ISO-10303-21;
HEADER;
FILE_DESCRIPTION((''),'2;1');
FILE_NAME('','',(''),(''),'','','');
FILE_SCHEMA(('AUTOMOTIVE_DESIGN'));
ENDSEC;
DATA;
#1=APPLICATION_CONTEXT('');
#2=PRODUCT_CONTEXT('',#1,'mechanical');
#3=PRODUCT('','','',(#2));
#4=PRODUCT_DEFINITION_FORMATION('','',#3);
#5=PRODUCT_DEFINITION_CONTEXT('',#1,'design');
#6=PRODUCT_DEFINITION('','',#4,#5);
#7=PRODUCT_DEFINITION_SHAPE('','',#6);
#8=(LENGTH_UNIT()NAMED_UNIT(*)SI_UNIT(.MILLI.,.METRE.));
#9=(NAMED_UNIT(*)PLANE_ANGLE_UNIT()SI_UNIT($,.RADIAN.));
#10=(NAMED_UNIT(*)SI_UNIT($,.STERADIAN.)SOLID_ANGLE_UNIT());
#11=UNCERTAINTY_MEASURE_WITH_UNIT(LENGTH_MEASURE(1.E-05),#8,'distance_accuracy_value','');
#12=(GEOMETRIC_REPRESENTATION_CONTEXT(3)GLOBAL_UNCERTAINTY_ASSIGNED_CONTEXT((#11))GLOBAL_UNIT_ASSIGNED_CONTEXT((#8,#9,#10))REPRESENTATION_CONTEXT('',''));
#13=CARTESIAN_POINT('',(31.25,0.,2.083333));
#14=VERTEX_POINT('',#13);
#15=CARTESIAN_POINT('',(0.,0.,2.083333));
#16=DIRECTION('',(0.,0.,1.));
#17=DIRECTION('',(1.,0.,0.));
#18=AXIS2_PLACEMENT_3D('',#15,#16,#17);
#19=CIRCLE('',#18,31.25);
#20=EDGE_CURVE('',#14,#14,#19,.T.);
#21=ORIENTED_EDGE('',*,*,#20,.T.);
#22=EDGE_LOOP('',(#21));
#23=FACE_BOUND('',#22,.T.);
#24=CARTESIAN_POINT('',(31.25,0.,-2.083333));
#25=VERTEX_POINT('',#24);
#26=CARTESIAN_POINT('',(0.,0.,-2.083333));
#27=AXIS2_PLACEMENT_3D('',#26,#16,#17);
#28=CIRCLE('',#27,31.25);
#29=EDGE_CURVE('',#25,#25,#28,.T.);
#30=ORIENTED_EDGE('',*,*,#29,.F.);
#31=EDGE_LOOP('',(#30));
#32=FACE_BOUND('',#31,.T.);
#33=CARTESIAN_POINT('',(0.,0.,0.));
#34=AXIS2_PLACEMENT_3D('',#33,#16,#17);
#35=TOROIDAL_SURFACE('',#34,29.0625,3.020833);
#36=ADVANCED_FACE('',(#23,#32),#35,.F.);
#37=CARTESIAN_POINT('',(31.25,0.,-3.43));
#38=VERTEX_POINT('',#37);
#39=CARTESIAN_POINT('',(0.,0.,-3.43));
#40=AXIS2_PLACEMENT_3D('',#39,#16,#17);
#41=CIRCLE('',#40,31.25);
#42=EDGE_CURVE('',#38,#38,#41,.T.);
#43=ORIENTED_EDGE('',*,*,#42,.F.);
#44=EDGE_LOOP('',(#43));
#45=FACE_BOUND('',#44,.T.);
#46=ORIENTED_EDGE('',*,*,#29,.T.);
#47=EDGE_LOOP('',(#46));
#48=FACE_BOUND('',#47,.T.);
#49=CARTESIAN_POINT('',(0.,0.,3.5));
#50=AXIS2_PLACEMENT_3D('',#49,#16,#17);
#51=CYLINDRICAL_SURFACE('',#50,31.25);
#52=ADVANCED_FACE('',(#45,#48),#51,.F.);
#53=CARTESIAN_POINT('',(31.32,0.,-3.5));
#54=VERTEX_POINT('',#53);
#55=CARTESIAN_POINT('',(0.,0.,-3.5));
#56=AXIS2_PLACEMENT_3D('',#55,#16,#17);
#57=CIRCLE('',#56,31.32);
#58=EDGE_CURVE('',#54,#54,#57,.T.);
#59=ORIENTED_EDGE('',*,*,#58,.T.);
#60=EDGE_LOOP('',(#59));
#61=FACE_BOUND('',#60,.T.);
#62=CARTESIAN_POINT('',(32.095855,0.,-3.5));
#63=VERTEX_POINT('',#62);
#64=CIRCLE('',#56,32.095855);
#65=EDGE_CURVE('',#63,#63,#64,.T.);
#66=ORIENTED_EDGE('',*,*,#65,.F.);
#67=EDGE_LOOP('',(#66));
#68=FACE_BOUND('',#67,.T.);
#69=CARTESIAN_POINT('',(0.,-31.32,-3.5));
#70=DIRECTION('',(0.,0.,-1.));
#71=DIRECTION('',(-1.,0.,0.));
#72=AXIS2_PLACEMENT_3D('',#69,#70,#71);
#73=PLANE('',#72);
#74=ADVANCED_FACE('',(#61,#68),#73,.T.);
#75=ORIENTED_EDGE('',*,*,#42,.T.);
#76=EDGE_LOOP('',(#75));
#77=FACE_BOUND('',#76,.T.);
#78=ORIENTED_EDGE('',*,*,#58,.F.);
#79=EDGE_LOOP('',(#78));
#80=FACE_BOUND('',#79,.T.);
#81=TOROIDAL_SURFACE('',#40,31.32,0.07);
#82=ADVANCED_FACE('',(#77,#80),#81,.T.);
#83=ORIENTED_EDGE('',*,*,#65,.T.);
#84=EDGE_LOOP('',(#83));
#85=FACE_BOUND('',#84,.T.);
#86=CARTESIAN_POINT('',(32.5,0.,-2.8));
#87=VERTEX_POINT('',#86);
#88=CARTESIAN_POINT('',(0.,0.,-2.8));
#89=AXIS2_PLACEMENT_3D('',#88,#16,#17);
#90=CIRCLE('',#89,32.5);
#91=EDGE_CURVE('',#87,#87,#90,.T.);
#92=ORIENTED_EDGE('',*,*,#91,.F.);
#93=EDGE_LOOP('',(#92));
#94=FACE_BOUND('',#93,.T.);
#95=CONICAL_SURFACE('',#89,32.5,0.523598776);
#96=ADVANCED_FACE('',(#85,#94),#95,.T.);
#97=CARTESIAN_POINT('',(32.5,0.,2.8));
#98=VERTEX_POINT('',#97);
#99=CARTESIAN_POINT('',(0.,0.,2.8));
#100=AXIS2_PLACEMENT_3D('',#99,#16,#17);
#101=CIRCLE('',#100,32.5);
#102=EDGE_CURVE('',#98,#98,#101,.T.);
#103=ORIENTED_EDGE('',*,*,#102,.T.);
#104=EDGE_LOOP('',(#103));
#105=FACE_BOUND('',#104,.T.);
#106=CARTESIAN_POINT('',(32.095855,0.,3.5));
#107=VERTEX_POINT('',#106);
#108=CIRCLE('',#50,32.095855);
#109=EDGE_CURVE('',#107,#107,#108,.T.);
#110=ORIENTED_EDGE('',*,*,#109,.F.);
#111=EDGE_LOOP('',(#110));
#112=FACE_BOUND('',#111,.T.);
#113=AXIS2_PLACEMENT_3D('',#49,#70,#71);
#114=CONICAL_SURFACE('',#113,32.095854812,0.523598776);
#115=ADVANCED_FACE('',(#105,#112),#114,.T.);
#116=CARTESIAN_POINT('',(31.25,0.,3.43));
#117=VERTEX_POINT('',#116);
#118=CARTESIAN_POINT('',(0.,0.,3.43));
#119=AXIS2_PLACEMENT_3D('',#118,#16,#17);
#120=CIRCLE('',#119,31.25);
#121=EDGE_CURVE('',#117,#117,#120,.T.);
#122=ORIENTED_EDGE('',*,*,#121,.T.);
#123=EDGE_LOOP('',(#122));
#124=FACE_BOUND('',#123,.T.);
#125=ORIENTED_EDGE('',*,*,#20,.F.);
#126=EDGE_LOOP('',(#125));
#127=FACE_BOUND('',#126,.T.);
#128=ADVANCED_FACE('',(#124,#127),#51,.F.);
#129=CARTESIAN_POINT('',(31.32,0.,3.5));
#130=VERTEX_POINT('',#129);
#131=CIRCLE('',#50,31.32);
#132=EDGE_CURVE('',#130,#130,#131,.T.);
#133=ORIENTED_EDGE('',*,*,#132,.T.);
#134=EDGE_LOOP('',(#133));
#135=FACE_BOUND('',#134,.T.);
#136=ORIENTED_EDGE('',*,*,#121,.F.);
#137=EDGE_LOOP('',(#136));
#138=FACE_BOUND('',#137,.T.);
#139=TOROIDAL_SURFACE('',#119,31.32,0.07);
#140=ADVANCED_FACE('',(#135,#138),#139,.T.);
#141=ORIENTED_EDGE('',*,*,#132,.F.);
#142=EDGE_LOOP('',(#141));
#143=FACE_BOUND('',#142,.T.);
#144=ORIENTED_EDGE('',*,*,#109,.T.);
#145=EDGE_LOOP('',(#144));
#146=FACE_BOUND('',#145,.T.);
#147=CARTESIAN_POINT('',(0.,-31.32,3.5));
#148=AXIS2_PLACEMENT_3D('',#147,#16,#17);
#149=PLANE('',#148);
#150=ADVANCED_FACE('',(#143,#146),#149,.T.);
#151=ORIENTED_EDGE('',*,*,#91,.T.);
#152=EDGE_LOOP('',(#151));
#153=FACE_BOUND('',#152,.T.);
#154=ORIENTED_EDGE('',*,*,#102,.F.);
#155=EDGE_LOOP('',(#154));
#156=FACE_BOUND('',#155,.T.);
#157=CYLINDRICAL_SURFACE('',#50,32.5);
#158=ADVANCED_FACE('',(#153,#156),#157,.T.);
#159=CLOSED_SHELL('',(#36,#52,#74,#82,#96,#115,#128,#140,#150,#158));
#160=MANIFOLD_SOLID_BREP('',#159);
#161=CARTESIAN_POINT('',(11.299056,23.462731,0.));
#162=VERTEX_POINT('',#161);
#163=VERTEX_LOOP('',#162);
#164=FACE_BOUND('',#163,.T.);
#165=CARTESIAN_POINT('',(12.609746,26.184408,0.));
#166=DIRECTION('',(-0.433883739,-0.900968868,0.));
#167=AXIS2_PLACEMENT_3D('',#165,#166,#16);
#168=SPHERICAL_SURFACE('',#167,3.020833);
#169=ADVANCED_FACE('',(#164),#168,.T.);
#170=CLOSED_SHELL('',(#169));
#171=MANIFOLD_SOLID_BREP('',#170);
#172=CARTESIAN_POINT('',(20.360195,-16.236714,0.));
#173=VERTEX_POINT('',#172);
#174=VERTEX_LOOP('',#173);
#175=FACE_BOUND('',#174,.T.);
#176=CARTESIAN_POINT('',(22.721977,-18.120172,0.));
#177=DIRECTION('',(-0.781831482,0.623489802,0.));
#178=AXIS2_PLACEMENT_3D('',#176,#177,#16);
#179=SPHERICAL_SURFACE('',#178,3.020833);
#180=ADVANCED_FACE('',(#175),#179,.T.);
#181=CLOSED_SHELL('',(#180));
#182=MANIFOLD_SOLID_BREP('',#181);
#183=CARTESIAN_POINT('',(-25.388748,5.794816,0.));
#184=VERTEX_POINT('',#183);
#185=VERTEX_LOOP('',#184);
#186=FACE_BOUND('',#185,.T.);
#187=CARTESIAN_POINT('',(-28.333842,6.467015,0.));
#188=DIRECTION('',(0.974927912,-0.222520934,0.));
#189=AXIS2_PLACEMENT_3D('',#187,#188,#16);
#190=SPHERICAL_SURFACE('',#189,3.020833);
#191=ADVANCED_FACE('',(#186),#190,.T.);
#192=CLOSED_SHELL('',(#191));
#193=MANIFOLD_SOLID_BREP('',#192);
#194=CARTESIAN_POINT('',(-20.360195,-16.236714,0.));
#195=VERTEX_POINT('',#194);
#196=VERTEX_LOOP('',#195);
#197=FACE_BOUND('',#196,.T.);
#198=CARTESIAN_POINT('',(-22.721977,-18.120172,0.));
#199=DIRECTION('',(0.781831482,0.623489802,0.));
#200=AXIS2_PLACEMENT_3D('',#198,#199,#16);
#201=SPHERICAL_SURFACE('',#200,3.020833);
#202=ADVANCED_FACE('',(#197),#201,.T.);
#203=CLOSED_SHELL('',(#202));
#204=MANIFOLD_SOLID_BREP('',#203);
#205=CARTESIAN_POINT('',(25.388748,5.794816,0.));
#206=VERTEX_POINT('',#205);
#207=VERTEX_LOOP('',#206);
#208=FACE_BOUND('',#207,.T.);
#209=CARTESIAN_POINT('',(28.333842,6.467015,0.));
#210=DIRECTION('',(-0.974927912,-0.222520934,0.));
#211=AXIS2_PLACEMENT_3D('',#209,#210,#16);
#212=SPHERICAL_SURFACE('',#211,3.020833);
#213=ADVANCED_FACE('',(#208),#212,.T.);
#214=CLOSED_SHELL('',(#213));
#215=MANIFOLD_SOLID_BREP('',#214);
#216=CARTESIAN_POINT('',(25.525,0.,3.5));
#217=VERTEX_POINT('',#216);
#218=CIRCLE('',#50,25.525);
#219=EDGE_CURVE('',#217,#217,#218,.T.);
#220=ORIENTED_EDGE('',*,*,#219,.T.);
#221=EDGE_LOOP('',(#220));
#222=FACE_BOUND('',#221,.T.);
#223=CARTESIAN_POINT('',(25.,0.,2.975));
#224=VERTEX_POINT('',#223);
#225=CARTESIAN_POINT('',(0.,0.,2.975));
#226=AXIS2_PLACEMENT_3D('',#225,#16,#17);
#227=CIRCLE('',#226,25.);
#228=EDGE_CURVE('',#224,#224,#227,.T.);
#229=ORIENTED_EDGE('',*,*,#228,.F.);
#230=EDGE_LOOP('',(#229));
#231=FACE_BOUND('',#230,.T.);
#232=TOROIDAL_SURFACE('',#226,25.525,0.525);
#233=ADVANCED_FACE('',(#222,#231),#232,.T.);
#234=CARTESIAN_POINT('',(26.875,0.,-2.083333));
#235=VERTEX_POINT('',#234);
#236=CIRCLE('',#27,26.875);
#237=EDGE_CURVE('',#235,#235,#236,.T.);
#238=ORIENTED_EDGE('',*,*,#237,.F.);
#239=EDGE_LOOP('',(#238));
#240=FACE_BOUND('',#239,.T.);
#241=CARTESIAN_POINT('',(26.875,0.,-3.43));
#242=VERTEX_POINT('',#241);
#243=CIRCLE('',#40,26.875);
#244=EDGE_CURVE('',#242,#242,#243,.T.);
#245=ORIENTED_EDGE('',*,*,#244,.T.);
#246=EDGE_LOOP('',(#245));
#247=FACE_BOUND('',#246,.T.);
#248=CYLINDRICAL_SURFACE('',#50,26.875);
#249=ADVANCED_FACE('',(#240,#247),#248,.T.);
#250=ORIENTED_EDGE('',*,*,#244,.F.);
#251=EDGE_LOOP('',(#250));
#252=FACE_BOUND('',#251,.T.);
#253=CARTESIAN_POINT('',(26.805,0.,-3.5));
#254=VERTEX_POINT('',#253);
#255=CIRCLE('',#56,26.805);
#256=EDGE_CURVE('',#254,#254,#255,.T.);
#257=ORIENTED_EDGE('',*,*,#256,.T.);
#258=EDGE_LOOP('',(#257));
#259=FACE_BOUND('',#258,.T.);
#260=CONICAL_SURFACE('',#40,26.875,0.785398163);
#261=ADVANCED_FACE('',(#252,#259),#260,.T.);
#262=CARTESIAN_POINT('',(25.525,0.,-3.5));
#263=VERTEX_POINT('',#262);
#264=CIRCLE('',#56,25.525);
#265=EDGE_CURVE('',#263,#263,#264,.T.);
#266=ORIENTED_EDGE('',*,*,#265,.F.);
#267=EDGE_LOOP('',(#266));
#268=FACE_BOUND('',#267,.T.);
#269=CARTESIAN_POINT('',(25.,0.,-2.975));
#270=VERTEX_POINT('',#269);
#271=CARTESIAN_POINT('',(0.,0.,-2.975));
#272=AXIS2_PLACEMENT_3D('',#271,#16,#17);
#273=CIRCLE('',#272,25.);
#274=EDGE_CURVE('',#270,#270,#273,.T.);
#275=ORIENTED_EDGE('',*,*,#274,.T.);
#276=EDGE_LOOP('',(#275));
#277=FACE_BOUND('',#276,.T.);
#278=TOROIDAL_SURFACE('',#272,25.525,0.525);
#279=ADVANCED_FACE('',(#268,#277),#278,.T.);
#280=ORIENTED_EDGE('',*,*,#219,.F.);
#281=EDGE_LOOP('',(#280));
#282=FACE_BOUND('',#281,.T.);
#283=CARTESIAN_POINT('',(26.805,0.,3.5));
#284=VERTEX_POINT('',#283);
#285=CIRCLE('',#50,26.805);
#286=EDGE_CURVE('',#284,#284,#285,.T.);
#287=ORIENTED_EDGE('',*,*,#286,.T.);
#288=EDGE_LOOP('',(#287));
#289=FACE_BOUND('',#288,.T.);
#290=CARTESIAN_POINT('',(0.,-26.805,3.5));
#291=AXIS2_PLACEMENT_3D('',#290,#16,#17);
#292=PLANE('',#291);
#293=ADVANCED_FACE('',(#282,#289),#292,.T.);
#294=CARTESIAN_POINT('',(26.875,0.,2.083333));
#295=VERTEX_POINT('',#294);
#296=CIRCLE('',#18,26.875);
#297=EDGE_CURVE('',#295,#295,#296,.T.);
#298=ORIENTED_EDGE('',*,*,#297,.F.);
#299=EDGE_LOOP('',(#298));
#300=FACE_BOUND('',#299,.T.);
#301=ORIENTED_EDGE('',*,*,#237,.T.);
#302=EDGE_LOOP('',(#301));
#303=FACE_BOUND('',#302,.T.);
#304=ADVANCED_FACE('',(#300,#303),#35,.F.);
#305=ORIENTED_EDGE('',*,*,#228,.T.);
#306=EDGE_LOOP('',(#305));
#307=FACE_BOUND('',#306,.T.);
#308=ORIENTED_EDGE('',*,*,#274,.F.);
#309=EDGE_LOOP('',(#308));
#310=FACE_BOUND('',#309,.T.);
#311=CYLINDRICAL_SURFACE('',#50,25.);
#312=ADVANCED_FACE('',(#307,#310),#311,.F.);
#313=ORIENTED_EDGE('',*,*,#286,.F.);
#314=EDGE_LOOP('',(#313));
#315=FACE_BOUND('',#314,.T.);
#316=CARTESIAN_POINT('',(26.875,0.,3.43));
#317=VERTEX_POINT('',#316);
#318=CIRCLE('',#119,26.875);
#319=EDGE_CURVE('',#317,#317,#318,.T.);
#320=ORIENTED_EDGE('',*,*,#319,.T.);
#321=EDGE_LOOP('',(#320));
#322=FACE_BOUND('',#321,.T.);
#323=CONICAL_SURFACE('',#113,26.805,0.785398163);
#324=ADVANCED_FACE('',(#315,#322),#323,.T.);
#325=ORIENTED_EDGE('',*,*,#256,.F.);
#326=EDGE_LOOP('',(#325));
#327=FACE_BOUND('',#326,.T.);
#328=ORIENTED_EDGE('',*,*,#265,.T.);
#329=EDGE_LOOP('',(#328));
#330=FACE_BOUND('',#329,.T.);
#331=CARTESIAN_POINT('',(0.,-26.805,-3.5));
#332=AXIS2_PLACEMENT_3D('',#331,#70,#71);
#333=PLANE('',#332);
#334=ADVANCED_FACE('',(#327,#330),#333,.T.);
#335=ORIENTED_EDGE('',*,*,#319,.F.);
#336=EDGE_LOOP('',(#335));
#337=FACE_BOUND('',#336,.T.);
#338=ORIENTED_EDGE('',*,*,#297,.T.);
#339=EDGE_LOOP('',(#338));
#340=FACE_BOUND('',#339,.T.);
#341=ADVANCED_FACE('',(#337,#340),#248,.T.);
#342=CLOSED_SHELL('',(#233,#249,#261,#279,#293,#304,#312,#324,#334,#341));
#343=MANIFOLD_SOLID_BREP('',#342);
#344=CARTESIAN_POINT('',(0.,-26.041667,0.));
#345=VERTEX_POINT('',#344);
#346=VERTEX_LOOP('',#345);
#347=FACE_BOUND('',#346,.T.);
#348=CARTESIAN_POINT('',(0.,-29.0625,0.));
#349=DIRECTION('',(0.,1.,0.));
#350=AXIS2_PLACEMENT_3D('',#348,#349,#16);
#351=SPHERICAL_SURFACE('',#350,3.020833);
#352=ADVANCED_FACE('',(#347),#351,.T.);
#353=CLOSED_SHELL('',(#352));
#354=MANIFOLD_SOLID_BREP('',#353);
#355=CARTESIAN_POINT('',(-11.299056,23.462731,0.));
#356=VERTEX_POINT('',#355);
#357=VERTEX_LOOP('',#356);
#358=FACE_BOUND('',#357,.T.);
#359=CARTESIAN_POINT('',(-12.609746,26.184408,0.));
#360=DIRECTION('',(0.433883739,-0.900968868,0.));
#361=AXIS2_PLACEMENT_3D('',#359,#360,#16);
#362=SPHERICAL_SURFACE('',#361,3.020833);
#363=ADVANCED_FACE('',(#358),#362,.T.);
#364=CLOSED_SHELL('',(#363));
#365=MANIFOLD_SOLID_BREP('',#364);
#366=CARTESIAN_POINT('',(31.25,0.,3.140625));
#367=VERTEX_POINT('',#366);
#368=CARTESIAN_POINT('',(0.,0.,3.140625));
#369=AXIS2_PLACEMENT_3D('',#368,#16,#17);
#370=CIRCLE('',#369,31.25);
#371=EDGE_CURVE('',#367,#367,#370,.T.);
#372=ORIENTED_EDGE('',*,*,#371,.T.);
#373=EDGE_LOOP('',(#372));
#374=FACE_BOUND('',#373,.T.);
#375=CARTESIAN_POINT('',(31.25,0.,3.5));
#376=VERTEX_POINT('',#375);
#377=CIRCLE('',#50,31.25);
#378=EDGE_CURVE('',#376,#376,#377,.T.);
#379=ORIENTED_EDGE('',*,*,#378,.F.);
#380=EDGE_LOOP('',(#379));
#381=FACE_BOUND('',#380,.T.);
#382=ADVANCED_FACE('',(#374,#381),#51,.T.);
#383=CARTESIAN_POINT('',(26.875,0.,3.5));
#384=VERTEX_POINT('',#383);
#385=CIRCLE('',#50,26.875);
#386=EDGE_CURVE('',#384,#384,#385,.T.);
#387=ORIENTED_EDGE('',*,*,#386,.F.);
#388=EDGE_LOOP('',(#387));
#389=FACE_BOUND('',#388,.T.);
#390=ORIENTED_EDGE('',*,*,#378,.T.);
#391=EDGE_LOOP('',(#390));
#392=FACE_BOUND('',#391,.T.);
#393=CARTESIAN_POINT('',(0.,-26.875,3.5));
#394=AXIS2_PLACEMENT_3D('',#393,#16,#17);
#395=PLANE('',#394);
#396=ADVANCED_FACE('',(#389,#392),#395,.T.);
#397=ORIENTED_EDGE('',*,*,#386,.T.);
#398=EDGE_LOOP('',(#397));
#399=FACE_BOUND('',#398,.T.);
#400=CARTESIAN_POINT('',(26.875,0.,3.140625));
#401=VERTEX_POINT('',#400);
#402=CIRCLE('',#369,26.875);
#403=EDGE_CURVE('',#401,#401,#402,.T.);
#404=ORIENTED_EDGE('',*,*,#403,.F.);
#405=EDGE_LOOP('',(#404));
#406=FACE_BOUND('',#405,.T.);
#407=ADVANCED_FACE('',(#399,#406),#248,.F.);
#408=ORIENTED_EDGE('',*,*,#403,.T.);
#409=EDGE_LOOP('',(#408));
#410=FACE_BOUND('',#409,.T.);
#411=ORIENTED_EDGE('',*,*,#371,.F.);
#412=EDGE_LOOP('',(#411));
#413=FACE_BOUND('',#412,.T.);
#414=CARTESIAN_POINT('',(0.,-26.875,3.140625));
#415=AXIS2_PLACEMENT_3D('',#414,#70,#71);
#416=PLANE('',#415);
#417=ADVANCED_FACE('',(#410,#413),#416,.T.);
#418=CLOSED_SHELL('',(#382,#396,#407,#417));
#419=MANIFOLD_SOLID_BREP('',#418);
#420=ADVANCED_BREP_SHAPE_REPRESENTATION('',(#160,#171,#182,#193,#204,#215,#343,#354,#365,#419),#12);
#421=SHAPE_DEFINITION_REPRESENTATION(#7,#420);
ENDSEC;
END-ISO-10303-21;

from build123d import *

# Parameters (mm, degrees)
SKETCH4_W         = 0.359375
SKETCH4_H         = 4.375
CIRPATTERN1_COUNT = 7


with BuildPart() as part:
    # Sketch3 → Revolve1 (revolve)
    with BuildSketch(Plane(origin=(0, 0, 0), x_dir=(0, 0, -1), z_dir=(1, 0, 0)), mode=Mode.PRIVATE) as revolve1_sk:
        with BuildLine():
            Line((-2.8, -32.5), (2.8, -32.5))
            Line((2.8, -32.5), (3.5, -32.095854812))
            Line((3.5, -32.095854812), (3.5, -31.32))
            ThreePointArc((3.5, -31.32), (3.479497475, -31.270502525), (3.43, -31.25))
            Line((3.43, -31.25), (2.083333333, -31.25))
            ThreePointArc((2.083333333, -31.25), (0, -32.083333333), (-2.083333333, -31.25))
            Line((-2.083333333, -31.25), (-3.43, -31.25))
            ThreePointArc((-3.43, -31.25), (-3.479497475, -31.270502525), (-3.5, -31.32))
            Line((-3.5, -31.32), (-3.5, -32.095854812))
            Line((-3.5, -32.095854812), (-2.8, -32.5))
        make_face()
        with BuildLine():
            Line((-2.975, -25), (2.975, -25))
            ThreePointArc((2.975, -25), (3.34623106, -25.15376894), (3.5, -25.525))
            Line((3.5, -25.525), (3.5, -26.805))
            Line((3.5, -26.805), (3.43, -26.875))
            Line((3.43, -26.875), (2.083333333, -26.875))
            ThreePointArc((2.083333333, -26.875), (0, -26.041666667), (-2.083333333, -26.875))
            Line((-2.083333333, -26.875), (-3.43, -26.875))
            Line((-3.43, -26.875), (-3.5, -26.805))
            Line((-3.5, -26.805), (-3.5, -25.525))
            ThreePointArc((-3.5, -25.525), (-3.34623106, -25.15376894), (-2.975, -25))
        make_face()
    revolve(revolve1_sk.sketch.rotate(Axis((0, 0, 3.5), (0, 0, -1)), 270), axis=Axis((0, 0, 3.5), (0, 0, -1)))


with BuildPart() as body_2:
    # Sketch4 → Revolve2 (revolve)
    with BuildSketch(Plane(origin=(0, 0, 0), x_dir=(0, 0, -1), z_dir=(1, 0, 0)), mode=Mode.PRIVATE) as revolve2_sk:
        with Locations((-3.3203125, -29.0625)):
            Rectangle(SKETCH4_W, SKETCH4_H)
    revolve(revolve2_sk.sketch.rotate(Axis((0, 0, 3.5), (0, 0, -1)), 270), axis=Axis((0, 0, 3.5), (0, 0, -1)))


with BuildPart() as body_3:
    # Sketch5 → Revolve3 (revolve)
    with BuildSketch(Plane(origin=(0, 0, 0), x_dir=(0, 0, -1), z_dir=(1, 0, 0))):
        with BuildLine():
            Line((0, -26.041666667), (0, -32.083333333))
            ThreePointArc((0, -32.083333333), (-3.020833333, -29.0625), (0, -26.041666667))
        make_face()
    revolve(axis=Axis((0, 0, 0), (0, -1, 0)))


with BuildPart() as cirpattern1_1:
    # CirPattern1: pattern copy
    add(body_3.part.rotate(Axis((0, 0, 0), (0, 0, 1)), 1 * 360 / CIRPATTERN1_COUNT))


with BuildPart() as cirpattern1_2:
    # CirPattern1: pattern copy
    add(body_3.part.rotate(Axis((0, 0, 0), (0, 0, 1)), 2 * 360 / CIRPATTERN1_COUNT))


with BuildPart() as cirpattern1_3:
    # CirPattern1: pattern copy
    add(body_3.part.rotate(Axis((0, 0, 0), (0, 0, 1)), 3 * 360 / CIRPATTERN1_COUNT))


with BuildPart() as cirpattern1_4:
    # CirPattern1: pattern copy
    add(body_3.part.rotate(Axis((0, 0, 0), (0, 0, 1)), 4 * 360 / CIRPATTERN1_COUNT))


with BuildPart() as cirpattern1_5:
    # CirPattern1: pattern copy
    add(body_3.part.rotate(Axis((0, 0, 0), (0, 0, 1)), 5 * 360 / CIRPATTERN1_COUNT))


with BuildPart() as cirpattern1_6:
    # CirPattern1: pattern copy
    add(body_3.part.rotate(Axis((0, 0, 0), (0, 0, 1)), 6 * 360 / CIRPATTERN1_COUNT))


solid = Compound([part.part, body_2.part, body_3.part, cirpattern1_1.part, cirpattern1_2.part, cirpattern1_3.part, cirpattern1_4.part, cirpattern1_5.part, cirpattern1_6.part])
